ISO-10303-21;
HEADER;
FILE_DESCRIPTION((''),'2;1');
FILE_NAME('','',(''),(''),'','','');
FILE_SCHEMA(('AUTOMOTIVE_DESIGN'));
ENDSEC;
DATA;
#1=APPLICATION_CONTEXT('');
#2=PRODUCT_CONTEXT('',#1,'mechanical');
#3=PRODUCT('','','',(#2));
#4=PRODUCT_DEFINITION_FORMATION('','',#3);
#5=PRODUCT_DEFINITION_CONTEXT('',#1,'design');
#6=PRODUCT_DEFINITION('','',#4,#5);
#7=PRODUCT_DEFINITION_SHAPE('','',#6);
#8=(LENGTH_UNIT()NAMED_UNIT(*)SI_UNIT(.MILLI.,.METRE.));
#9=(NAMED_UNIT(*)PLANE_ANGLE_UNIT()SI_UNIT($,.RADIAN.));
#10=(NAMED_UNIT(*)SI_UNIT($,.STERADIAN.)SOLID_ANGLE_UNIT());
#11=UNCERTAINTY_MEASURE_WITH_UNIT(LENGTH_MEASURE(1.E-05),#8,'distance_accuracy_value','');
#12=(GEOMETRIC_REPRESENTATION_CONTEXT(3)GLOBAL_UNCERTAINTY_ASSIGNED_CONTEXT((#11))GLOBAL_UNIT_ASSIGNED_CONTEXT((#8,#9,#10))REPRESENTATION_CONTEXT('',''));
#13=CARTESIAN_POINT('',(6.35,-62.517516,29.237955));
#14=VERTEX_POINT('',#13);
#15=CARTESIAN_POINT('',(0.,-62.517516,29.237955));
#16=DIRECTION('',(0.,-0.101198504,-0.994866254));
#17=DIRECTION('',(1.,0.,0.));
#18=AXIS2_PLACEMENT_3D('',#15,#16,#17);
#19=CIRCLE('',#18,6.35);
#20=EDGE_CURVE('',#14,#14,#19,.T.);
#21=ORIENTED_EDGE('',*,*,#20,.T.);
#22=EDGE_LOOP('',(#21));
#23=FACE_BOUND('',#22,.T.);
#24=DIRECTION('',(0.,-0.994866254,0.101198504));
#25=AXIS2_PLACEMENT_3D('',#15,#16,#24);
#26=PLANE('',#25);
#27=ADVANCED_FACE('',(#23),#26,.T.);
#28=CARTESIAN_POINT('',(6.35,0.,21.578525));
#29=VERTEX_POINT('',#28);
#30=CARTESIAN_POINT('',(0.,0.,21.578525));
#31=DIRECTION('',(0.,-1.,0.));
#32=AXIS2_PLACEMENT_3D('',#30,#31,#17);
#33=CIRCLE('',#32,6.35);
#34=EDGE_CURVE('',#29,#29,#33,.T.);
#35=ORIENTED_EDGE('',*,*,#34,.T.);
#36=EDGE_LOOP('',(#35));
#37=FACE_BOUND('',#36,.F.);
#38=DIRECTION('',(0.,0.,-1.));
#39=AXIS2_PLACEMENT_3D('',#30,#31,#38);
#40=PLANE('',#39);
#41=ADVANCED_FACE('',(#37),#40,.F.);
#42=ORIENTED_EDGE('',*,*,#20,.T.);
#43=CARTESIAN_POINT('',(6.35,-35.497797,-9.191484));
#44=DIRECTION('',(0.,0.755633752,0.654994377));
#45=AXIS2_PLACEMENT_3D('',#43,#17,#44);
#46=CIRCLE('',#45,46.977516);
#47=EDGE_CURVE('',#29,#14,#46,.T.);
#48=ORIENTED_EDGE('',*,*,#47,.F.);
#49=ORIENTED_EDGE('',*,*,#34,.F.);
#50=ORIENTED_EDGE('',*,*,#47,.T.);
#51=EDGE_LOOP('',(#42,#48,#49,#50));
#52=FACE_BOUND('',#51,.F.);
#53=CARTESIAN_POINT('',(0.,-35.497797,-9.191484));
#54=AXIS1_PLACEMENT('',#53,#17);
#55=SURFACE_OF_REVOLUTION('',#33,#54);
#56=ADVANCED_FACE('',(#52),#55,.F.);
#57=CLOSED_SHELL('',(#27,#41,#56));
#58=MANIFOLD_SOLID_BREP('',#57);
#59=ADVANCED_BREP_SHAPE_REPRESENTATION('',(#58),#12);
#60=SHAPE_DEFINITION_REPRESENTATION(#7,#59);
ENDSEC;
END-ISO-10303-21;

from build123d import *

# Parameters (mm, degrees)
F0_R = 6.35


with BuildPart() as f2:
    # F2: sweep along a path in F1
    with BuildLine(Plane.YZ) as f2_path:
        ThreePointArc((0, 21.578525), (-29.78499, 37.437379), (-62.517516, 29.237955))
    # F0 (on Front) → F2 (sweep)
    with BuildSketch(Plane.XZ):
        with Locations((0, 21.578525)):
            Circle(F0_R)
    sweep(path=f2_path.line)


solid = f2.part
